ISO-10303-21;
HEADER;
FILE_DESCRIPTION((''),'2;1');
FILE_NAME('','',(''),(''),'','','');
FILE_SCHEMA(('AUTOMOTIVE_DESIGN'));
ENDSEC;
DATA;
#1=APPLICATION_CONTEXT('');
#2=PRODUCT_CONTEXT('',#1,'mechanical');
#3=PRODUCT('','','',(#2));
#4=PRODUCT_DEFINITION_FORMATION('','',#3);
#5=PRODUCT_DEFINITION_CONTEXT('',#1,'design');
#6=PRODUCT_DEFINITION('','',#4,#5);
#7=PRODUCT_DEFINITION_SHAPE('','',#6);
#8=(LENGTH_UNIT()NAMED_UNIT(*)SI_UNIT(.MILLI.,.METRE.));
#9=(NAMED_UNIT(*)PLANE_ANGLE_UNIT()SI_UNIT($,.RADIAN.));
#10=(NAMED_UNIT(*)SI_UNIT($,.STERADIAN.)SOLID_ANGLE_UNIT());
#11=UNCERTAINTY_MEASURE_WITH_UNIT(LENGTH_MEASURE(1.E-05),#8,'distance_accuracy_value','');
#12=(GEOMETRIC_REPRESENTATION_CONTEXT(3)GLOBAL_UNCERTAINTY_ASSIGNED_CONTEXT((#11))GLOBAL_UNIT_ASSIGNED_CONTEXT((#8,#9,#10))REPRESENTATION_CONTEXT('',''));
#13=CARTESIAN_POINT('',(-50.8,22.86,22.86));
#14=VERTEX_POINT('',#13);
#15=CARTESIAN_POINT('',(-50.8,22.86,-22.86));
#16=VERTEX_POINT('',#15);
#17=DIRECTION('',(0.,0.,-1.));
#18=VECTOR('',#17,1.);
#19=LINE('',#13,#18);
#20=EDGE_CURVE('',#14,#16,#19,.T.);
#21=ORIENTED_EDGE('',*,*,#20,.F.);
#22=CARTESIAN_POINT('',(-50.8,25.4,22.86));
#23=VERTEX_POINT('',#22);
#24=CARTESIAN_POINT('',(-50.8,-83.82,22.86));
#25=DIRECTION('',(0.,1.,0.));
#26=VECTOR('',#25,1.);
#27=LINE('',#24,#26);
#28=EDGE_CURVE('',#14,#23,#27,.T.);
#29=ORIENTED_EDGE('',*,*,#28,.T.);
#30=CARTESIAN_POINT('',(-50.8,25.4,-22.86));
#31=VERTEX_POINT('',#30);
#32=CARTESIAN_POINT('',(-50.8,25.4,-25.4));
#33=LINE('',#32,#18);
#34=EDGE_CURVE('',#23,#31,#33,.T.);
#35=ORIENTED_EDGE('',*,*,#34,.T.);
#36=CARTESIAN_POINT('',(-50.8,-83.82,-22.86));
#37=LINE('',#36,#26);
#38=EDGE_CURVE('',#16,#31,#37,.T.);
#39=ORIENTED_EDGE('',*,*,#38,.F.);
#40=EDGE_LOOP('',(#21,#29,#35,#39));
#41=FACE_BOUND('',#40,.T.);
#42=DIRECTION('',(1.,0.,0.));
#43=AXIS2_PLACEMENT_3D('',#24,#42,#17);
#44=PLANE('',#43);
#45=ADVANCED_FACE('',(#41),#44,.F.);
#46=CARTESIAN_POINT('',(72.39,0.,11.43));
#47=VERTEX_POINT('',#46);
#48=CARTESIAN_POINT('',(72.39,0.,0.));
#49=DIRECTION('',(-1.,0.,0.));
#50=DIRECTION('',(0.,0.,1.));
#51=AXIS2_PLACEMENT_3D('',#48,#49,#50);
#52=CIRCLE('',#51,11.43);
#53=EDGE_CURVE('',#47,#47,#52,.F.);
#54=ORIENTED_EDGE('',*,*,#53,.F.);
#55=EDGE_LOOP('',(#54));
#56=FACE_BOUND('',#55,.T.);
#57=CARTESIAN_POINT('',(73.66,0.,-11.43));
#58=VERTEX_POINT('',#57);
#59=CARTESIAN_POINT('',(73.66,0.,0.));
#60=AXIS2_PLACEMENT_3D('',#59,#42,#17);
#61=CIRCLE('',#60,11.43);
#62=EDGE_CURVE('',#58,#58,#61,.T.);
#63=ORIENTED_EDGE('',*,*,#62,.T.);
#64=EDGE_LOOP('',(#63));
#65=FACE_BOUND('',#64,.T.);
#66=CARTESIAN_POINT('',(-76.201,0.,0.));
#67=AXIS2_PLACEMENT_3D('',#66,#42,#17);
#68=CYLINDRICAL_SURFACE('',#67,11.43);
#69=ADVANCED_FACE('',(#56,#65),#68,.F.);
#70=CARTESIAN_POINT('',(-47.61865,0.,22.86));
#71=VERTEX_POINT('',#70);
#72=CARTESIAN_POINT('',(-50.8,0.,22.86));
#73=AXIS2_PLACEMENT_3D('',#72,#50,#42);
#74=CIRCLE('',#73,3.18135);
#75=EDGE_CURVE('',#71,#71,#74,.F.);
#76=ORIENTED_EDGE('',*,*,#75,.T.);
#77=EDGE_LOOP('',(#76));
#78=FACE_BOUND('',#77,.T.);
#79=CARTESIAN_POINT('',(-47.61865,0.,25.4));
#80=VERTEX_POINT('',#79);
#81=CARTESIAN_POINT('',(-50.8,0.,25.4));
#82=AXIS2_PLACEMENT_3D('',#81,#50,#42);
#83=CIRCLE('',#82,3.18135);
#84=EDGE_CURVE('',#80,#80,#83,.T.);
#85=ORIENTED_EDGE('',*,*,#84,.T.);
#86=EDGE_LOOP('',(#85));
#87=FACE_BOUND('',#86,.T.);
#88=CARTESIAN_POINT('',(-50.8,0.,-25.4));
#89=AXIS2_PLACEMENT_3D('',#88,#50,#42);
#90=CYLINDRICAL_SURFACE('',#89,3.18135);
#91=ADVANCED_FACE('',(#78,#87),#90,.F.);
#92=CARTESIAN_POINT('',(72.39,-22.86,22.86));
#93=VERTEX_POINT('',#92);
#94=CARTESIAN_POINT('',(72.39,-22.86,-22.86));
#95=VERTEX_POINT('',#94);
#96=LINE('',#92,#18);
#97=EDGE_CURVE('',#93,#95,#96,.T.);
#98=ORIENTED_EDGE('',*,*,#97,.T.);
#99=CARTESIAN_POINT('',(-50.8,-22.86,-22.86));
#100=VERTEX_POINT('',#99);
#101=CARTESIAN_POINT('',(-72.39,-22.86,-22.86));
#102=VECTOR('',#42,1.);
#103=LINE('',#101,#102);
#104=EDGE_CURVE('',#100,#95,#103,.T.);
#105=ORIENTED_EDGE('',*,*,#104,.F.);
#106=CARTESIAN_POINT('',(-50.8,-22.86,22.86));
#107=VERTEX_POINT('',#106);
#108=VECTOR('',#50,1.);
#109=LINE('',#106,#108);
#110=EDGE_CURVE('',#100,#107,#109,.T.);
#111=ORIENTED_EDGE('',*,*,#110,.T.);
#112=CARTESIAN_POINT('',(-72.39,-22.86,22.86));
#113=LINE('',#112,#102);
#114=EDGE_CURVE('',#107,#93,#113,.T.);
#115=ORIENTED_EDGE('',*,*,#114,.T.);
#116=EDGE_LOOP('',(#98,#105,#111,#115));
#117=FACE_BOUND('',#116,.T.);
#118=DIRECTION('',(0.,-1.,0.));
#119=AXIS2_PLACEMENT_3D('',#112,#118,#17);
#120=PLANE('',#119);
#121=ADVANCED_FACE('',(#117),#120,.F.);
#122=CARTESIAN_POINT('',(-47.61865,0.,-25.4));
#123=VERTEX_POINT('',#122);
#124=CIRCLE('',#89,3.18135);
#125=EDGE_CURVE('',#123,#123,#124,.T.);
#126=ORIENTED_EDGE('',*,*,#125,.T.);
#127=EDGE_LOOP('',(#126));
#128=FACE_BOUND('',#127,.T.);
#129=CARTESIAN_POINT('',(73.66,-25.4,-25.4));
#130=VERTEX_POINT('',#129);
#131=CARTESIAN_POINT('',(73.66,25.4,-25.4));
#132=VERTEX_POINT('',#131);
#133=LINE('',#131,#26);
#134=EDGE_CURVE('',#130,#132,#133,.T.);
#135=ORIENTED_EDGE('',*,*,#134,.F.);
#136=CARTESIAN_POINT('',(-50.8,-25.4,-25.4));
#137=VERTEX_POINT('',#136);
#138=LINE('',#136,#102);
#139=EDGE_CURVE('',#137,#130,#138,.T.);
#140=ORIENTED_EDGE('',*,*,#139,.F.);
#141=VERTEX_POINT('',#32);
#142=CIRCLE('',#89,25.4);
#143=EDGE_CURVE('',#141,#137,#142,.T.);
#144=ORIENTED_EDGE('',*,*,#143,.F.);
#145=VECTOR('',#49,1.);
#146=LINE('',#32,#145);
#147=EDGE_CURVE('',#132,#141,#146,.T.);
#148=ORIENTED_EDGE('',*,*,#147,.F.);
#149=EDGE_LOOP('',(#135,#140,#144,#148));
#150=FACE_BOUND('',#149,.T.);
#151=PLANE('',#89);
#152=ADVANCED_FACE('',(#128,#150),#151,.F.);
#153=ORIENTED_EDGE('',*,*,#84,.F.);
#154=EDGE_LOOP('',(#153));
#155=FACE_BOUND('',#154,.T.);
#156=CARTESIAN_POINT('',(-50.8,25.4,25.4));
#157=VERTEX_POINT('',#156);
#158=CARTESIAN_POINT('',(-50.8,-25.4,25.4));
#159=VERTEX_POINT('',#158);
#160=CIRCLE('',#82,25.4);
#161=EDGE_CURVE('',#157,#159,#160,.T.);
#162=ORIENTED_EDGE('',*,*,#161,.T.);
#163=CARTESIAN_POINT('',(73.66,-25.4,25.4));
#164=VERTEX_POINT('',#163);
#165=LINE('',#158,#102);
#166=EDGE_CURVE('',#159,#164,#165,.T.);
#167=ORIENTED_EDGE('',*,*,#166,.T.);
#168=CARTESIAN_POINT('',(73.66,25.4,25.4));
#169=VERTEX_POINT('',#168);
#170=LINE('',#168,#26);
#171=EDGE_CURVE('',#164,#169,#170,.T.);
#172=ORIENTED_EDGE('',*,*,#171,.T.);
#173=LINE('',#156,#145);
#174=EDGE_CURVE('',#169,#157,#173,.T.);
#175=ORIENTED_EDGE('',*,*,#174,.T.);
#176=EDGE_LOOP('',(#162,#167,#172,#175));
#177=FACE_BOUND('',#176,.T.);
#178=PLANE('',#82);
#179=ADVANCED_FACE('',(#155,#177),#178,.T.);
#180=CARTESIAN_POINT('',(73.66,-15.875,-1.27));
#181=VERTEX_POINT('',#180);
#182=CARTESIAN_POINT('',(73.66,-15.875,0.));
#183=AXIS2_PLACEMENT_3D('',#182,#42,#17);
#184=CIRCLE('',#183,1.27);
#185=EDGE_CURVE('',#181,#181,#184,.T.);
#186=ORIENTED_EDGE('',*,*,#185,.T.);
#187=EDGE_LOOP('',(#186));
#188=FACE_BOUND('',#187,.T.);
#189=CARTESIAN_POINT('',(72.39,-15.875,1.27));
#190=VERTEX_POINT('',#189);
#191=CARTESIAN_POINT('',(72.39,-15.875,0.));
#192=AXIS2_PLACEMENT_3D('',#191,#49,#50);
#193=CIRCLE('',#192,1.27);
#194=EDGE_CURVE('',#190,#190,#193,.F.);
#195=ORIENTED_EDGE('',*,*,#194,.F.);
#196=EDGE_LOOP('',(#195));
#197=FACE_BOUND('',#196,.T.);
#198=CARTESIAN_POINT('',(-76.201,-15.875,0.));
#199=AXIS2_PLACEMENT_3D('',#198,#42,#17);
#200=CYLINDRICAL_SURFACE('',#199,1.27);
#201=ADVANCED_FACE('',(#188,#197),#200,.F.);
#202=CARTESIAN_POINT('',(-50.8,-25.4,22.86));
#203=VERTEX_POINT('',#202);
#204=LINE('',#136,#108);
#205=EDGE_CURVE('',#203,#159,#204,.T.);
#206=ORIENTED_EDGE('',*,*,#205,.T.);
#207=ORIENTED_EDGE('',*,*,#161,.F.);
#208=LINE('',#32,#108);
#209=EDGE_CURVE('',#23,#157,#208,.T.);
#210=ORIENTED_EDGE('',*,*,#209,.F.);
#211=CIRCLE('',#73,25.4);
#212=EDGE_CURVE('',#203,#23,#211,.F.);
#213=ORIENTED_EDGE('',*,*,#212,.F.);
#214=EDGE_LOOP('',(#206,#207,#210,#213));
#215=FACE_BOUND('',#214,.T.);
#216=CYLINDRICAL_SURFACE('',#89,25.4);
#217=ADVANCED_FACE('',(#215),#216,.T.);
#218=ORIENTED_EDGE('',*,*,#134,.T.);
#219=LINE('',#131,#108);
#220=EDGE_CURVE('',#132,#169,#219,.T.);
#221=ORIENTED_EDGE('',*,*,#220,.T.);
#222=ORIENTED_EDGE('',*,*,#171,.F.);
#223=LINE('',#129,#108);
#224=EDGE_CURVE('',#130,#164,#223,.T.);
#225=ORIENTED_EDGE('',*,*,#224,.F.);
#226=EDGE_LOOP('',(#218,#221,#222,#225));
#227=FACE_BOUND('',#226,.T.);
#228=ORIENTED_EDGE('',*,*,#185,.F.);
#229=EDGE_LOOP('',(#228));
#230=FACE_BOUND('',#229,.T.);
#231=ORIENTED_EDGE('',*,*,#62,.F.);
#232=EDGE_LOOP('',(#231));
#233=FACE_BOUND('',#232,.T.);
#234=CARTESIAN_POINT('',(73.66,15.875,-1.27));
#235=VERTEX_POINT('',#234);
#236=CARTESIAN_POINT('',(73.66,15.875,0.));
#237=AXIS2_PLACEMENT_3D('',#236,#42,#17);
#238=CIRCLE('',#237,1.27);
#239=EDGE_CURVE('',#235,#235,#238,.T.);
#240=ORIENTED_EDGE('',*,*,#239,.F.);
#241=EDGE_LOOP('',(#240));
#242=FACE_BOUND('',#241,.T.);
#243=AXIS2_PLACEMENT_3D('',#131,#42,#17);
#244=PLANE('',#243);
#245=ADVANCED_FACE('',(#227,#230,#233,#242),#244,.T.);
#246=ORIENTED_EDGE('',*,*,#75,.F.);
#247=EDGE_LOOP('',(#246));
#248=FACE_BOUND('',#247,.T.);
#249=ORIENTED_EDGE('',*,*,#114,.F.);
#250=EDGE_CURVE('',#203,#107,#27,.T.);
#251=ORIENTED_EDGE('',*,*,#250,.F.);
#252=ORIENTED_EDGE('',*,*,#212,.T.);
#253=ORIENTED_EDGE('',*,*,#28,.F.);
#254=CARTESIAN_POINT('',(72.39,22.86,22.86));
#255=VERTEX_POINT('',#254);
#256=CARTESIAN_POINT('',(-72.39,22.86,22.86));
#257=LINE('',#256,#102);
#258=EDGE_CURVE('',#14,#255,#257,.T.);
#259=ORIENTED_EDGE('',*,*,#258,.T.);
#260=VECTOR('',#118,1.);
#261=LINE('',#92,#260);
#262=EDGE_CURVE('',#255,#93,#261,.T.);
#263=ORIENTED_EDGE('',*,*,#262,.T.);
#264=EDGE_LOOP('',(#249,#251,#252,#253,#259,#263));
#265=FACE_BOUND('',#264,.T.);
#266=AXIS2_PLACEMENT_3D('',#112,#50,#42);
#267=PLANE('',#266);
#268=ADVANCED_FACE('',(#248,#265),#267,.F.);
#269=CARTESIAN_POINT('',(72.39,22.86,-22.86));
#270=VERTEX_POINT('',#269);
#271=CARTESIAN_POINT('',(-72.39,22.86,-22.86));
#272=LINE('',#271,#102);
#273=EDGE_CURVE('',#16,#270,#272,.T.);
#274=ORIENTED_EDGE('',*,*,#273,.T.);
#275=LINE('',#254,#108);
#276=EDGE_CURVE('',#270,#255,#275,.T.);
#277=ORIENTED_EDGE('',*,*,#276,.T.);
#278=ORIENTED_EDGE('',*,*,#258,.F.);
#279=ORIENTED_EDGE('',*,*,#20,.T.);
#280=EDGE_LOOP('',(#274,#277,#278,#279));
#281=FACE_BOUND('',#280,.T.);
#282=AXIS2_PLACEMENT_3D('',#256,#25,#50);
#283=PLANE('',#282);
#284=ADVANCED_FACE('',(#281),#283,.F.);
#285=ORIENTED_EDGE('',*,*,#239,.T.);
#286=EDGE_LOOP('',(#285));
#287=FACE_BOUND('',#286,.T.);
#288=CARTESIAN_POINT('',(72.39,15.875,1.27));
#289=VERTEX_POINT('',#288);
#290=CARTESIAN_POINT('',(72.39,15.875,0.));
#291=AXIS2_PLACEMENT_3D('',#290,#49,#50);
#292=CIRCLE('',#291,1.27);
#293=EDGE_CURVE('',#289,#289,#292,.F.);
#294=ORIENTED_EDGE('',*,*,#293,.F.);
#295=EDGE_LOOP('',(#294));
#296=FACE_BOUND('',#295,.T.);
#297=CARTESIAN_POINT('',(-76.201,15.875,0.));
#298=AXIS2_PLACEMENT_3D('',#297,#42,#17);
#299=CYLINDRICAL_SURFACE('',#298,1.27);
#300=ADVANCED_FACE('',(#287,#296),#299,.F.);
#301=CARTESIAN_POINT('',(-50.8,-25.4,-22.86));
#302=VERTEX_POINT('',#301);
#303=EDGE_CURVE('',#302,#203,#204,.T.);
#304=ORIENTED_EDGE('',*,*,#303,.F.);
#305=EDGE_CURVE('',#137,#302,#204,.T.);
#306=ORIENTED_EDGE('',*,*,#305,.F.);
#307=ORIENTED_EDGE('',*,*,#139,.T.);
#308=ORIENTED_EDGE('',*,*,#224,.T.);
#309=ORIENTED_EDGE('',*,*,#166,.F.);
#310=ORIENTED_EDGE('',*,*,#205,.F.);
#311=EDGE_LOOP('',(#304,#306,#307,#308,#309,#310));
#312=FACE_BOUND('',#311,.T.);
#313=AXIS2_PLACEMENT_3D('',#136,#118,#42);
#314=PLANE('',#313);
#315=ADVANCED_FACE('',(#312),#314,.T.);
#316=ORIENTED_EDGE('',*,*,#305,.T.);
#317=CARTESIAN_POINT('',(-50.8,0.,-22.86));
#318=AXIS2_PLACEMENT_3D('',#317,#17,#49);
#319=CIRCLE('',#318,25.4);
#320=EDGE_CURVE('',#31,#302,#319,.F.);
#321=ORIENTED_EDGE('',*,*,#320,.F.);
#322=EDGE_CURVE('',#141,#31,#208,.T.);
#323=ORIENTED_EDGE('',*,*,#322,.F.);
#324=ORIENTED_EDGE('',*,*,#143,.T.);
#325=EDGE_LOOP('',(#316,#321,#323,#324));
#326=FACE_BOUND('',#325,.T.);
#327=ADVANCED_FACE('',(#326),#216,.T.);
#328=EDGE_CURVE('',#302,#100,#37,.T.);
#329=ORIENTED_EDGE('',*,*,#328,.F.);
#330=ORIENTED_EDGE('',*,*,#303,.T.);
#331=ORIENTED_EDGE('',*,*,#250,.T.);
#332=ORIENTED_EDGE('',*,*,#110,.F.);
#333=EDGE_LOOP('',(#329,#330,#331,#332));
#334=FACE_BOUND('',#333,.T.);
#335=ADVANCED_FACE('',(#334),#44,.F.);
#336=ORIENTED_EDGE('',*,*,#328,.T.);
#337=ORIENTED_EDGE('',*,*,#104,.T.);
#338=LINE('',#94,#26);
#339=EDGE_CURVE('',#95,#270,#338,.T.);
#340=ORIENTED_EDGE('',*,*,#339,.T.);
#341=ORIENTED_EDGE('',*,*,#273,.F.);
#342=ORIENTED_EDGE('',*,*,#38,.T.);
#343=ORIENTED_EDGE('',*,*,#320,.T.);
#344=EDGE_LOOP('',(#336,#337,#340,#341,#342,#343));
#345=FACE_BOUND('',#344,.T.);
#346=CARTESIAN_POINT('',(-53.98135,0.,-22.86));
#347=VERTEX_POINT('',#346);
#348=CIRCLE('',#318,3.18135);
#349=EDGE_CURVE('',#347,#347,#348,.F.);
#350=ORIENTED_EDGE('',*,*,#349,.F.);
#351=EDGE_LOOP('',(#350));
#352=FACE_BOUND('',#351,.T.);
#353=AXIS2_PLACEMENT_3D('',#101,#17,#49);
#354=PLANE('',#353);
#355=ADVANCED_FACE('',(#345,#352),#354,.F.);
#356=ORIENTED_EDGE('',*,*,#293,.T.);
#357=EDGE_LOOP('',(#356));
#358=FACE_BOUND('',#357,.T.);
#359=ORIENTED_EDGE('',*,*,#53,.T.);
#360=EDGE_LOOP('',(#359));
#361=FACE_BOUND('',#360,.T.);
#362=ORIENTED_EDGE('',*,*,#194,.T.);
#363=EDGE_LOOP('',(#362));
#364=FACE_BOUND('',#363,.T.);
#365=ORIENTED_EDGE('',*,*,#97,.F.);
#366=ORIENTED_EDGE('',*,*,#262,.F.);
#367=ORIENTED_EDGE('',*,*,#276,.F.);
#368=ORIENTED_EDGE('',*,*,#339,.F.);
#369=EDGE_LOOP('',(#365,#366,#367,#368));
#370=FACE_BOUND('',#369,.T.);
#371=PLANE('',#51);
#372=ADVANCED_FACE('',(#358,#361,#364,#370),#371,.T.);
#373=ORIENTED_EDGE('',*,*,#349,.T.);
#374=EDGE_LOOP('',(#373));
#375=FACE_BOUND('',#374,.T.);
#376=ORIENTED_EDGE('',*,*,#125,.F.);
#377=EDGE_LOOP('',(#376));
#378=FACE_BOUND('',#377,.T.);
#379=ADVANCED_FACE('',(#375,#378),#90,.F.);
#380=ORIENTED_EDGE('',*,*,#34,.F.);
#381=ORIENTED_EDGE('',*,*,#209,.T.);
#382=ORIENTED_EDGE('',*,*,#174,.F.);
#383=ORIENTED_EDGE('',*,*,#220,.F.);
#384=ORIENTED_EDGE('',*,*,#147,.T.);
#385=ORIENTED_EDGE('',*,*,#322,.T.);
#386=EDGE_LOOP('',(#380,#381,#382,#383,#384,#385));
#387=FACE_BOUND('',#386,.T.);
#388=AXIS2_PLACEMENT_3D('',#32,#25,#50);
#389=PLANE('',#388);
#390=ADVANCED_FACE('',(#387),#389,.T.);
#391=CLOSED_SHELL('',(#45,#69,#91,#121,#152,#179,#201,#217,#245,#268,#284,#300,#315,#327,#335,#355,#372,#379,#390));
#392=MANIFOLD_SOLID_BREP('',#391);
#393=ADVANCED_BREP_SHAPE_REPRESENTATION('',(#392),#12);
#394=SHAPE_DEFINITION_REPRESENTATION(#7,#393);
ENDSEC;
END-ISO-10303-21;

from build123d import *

# Parameters (mm, degrees)
SKETCH2_R           = 3.18135
BOSS_EXTRUDE1_DEPTH = 25.4
SKETCH5_W           = 45.72
SKETCH5_H           = 45.72
CUT_EXTRUDE1_DEPTH  = 72.39
SKETCH6_W           = 45.72
SKETCH6_H           = 45.72
CUT_EXTRUDE2_DEPTH  = 83.82
CUT_EXTRUDE3_REACH  = 151.86
SKETCH8_R           = 11.43
SKETCH8_R_2         = 1.27


with BuildPart() as part:
    # Sketch2 → Boss-Extrude1 (new body, symmetric)
    with BuildSketch(Plane.XY):
        with BuildLine():
            Line((-50.8, 25.4), (73.66, 25.4))
            Line((73.66, 25.4), (73.66, -25.4))
            Line((73.66, -25.4), (-50.8, -25.4))
            ThreePointArc((-50.8, -25.4), (-76.2, 0), (-50.8, 25.4))
        make_face()
        with Locations((-50.8, 0)):
            Circle(SKETCH2_R, mode=Mode.SUBTRACT)
    extrude(amount=BOSS_EXTRUDE1_DEPTH, both=True)

    # Sketch5 → Cut-Extrude1 (cut, symmetric)
    with BuildSketch(Plane(origin=(0, 0, 0), x_dir=(0, 0, -1), z_dir=(1, 0, 0))):
        Rectangle(SKETCH5_W, SKETCH5_H)
    extrude(amount=CUT_EXTRUDE1_DEPTH, both=True, mode=Mode.SUBTRACT)

    # Sketch6 → Cut-Extrude2 (cut, symmetric)
    with BuildSketch(Plane(origin=(0, 0, 0), x_dir=(1, 0, 0), z_dir=(0, 1, 0))):
        with Locations((-73.66, 0)):
            Rectangle(SKETCH6_W, SKETCH6_H)
    extrude(amount=CUT_EXTRUDE2_DEPTH, both=True, mode=Mode.SUBTRACT)

    # Sketch8 → Cut-Extrude3 (cut, up to next)
    with BuildSketch(Plane(origin=(73.66, 0, 0), x_dir=(0, 0, -1), z_dir=(1, 0, 0)), mode=Mode.PRIVATE) as cut_extrude3_sk1:
        Circle(SKETCH8_R)
    cut_extrude3_tool1 = extrude(cut_extrude3_sk1.sketch, amount=-CUT_EXTRUDE3_REACH, mode=Mode.PRIVATE) & part.part
    add(cut_extrude3_tool1.solids().sort_by_distance((73.66, 0, 0))[0], mode=Mode.SUBTRACT)
    # Sketch8 → Cut-Extrude3 (cut, up to next)
    with BuildSketch(Plane(origin=(73.66, 0, 0), x_dir=(0, 0, -1), z_dir=(1, 0, 0)), mode=Mode.PRIVATE) as cut_extrude3_sk2:
        with Locations((0, 15.875)):
            Circle(SKETCH8_R_2)
    cut_extrude3_tool2 = extrude(cut_extrude3_sk2.sketch, amount=-CUT_EXTRUDE3_REACH, mode=Mode.PRIVATE) & part.part
    add(cut_extrude3_tool2.solids().sort_by_distance((73.66, 15.875, 0))[0], mode=Mode.SUBTRACT)
    # Sketch8 → Cut-Extrude3 (cut, up to next)
    with BuildSketch(Plane(origin=(73.66, 0, 0), x_dir=(0, 0, -1), z_dir=(1, 0, 0)), mode=Mode.PRIVATE) as cut_extrude3_sk3:
        with Locations((0, -15.875)):
            Circle(SKETCH8_R_2)
    cut_extrude3_tool3 = extrude(cut_extrude3_sk3.sketch, amount=-CUT_EXTRUDE3_REACH, mode=Mode.PRIVATE) & part.part
    add(cut_extrude3_tool3.solids().sort_by_distance((73.66, -15.875, 0))[0], mode=Mode.SUBTRACT)


solid = part.part
